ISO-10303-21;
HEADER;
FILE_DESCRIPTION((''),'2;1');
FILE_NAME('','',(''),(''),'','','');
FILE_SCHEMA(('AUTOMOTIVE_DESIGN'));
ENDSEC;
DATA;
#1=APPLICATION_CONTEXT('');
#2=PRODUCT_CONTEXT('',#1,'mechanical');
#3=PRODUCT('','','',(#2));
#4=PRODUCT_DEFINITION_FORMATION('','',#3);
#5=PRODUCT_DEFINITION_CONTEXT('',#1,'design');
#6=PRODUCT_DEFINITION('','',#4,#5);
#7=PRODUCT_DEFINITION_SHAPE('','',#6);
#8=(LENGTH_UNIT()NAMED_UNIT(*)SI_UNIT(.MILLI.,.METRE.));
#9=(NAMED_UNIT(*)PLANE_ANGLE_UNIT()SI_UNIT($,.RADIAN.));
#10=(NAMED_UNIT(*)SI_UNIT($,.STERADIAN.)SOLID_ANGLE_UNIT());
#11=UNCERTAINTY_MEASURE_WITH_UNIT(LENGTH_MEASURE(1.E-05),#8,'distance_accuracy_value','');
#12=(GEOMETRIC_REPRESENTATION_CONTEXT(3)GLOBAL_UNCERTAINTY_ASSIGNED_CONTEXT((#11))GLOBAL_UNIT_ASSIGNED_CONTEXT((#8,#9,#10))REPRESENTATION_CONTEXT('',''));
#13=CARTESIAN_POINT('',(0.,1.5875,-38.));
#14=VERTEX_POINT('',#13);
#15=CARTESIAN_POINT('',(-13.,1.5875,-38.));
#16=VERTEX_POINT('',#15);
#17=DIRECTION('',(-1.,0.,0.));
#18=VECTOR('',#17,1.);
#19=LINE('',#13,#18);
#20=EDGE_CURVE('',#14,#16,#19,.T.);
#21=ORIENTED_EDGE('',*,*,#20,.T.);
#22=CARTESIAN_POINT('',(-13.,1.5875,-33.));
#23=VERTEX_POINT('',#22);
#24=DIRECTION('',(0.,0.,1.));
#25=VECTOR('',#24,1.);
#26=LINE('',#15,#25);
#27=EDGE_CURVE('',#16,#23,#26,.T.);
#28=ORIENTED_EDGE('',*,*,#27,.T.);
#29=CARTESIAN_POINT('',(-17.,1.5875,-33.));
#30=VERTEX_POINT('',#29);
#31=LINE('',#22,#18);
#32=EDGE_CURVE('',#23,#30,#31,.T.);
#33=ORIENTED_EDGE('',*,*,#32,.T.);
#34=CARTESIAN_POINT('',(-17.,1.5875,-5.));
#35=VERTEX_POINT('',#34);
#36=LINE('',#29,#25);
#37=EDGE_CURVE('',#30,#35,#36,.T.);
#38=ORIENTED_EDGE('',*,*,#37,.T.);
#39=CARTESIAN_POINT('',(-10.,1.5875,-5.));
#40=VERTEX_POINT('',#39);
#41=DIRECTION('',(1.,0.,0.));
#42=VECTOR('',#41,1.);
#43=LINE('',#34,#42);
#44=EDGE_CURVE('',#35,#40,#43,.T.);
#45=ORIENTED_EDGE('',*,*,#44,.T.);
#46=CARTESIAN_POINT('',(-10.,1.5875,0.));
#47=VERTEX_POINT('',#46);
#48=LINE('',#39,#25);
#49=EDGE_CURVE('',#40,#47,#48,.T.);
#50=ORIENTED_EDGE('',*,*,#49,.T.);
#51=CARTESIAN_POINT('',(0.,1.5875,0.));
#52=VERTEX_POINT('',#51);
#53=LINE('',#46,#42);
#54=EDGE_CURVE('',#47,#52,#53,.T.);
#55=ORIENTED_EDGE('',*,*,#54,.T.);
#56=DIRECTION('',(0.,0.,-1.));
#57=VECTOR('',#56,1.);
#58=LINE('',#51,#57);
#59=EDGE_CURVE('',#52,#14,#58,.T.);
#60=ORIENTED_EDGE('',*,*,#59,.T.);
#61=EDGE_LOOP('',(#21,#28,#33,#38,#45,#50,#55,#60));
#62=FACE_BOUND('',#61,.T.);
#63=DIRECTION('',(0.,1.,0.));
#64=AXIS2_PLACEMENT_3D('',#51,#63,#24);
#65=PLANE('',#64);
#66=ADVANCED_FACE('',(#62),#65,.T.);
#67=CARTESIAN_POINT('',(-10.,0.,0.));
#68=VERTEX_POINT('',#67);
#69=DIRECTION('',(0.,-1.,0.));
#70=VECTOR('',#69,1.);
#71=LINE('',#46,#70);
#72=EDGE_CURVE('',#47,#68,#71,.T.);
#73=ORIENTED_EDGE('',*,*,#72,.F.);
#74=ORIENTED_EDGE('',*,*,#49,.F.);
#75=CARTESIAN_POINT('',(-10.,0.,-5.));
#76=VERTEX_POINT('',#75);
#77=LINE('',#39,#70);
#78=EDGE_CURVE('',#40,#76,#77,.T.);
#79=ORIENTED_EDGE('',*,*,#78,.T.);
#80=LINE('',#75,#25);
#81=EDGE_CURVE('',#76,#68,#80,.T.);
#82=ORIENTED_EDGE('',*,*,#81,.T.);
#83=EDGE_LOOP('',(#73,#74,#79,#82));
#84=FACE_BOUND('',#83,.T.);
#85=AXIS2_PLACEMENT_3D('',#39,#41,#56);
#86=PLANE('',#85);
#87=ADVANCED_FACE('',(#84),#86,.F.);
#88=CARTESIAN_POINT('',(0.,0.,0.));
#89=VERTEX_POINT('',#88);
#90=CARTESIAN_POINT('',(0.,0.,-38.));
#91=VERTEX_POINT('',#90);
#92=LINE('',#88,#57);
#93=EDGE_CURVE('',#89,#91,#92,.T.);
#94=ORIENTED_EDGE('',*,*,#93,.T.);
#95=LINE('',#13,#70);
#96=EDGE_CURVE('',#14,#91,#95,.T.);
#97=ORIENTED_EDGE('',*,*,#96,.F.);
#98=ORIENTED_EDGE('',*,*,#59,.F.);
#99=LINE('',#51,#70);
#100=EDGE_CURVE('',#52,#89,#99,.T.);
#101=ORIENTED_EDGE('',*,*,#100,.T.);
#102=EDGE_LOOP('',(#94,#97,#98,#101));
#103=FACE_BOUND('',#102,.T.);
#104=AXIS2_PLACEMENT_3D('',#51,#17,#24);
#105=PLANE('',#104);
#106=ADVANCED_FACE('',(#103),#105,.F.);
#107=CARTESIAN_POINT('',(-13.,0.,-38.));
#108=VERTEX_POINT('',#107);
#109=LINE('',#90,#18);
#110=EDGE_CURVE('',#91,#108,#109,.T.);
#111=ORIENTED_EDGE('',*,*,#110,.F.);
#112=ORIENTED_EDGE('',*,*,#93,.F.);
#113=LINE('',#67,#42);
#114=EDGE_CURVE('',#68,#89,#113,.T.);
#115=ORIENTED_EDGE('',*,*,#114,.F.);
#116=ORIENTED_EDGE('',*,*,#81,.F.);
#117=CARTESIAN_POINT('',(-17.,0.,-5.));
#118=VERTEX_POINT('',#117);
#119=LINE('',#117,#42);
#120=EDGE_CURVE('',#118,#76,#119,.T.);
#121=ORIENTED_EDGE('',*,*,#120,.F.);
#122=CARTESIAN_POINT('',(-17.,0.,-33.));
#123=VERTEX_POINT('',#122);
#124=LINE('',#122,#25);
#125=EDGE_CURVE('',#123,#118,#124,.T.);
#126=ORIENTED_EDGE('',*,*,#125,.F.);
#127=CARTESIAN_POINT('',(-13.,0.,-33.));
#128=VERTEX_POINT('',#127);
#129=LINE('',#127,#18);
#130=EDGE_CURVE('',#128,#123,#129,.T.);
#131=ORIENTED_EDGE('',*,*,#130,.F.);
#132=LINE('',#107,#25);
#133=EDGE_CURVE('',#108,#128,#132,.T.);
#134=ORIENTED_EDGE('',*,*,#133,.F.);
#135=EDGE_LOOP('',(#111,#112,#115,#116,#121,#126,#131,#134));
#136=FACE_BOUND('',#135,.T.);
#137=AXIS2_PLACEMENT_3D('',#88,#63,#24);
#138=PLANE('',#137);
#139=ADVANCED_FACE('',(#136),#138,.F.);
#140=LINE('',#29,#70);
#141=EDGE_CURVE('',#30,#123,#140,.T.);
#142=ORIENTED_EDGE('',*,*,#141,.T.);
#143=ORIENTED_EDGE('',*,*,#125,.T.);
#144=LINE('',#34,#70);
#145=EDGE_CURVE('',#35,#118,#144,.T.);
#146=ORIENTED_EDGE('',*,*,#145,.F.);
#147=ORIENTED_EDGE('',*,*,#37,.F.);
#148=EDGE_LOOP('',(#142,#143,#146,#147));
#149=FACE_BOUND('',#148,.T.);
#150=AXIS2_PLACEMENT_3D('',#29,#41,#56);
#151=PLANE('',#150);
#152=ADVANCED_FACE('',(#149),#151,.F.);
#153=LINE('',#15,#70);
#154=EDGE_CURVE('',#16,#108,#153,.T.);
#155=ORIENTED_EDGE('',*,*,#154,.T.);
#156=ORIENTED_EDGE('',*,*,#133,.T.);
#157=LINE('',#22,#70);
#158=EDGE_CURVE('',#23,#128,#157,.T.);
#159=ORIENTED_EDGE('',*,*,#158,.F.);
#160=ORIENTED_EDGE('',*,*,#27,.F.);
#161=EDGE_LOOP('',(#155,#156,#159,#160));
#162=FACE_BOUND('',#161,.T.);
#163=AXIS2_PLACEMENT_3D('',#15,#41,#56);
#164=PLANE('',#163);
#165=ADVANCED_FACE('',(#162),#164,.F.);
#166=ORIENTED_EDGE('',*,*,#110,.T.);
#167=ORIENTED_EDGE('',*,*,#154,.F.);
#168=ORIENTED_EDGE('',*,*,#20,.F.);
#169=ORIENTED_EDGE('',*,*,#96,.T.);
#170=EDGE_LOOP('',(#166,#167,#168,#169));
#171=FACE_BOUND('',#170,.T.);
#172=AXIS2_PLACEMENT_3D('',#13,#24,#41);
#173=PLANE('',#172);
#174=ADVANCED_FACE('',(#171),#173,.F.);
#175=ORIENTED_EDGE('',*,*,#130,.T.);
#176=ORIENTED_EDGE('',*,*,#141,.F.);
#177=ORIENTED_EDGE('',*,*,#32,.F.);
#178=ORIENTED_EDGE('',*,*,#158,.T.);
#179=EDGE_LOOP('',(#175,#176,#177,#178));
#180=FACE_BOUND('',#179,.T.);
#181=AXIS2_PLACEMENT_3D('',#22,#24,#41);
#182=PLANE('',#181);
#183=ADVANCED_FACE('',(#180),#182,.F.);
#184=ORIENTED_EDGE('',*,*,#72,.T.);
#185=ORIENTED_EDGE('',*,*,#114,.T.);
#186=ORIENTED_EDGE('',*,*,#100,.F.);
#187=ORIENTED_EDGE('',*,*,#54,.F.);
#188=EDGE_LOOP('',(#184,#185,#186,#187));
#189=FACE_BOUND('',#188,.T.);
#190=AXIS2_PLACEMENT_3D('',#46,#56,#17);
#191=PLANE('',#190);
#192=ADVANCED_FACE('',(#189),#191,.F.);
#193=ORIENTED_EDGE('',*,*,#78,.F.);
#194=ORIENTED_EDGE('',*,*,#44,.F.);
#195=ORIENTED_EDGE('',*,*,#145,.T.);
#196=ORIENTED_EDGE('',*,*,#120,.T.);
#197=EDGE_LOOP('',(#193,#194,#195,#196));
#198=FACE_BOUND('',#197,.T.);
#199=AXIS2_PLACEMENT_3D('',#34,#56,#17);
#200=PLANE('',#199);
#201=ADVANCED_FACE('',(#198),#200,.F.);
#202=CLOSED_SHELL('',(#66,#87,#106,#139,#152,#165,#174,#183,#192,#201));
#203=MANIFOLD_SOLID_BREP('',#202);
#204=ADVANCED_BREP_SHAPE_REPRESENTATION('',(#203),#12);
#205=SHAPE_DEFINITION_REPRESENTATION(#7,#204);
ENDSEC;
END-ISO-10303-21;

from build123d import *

# Parameters (mm, degrees)
BOSS_EXTRUDE1_DEPTH = 1.5875


with BuildPart() as part:
    # Sketch1 → Boss-Extrude1 (new body)
    with BuildSketch(Plane(origin=(0, 0, 0), x_dir=(1, 0, 0), z_dir=(0, 1, 0))):
        Polygon((0, 0), (0, 38), (-13, 38), (-13, 33), (-17, 33), (-17, 5), (-10, 5), (-10, 0), align=None)
    extrude(amount=BOSS_EXTRUDE1_DEPTH)


solid = part.part
